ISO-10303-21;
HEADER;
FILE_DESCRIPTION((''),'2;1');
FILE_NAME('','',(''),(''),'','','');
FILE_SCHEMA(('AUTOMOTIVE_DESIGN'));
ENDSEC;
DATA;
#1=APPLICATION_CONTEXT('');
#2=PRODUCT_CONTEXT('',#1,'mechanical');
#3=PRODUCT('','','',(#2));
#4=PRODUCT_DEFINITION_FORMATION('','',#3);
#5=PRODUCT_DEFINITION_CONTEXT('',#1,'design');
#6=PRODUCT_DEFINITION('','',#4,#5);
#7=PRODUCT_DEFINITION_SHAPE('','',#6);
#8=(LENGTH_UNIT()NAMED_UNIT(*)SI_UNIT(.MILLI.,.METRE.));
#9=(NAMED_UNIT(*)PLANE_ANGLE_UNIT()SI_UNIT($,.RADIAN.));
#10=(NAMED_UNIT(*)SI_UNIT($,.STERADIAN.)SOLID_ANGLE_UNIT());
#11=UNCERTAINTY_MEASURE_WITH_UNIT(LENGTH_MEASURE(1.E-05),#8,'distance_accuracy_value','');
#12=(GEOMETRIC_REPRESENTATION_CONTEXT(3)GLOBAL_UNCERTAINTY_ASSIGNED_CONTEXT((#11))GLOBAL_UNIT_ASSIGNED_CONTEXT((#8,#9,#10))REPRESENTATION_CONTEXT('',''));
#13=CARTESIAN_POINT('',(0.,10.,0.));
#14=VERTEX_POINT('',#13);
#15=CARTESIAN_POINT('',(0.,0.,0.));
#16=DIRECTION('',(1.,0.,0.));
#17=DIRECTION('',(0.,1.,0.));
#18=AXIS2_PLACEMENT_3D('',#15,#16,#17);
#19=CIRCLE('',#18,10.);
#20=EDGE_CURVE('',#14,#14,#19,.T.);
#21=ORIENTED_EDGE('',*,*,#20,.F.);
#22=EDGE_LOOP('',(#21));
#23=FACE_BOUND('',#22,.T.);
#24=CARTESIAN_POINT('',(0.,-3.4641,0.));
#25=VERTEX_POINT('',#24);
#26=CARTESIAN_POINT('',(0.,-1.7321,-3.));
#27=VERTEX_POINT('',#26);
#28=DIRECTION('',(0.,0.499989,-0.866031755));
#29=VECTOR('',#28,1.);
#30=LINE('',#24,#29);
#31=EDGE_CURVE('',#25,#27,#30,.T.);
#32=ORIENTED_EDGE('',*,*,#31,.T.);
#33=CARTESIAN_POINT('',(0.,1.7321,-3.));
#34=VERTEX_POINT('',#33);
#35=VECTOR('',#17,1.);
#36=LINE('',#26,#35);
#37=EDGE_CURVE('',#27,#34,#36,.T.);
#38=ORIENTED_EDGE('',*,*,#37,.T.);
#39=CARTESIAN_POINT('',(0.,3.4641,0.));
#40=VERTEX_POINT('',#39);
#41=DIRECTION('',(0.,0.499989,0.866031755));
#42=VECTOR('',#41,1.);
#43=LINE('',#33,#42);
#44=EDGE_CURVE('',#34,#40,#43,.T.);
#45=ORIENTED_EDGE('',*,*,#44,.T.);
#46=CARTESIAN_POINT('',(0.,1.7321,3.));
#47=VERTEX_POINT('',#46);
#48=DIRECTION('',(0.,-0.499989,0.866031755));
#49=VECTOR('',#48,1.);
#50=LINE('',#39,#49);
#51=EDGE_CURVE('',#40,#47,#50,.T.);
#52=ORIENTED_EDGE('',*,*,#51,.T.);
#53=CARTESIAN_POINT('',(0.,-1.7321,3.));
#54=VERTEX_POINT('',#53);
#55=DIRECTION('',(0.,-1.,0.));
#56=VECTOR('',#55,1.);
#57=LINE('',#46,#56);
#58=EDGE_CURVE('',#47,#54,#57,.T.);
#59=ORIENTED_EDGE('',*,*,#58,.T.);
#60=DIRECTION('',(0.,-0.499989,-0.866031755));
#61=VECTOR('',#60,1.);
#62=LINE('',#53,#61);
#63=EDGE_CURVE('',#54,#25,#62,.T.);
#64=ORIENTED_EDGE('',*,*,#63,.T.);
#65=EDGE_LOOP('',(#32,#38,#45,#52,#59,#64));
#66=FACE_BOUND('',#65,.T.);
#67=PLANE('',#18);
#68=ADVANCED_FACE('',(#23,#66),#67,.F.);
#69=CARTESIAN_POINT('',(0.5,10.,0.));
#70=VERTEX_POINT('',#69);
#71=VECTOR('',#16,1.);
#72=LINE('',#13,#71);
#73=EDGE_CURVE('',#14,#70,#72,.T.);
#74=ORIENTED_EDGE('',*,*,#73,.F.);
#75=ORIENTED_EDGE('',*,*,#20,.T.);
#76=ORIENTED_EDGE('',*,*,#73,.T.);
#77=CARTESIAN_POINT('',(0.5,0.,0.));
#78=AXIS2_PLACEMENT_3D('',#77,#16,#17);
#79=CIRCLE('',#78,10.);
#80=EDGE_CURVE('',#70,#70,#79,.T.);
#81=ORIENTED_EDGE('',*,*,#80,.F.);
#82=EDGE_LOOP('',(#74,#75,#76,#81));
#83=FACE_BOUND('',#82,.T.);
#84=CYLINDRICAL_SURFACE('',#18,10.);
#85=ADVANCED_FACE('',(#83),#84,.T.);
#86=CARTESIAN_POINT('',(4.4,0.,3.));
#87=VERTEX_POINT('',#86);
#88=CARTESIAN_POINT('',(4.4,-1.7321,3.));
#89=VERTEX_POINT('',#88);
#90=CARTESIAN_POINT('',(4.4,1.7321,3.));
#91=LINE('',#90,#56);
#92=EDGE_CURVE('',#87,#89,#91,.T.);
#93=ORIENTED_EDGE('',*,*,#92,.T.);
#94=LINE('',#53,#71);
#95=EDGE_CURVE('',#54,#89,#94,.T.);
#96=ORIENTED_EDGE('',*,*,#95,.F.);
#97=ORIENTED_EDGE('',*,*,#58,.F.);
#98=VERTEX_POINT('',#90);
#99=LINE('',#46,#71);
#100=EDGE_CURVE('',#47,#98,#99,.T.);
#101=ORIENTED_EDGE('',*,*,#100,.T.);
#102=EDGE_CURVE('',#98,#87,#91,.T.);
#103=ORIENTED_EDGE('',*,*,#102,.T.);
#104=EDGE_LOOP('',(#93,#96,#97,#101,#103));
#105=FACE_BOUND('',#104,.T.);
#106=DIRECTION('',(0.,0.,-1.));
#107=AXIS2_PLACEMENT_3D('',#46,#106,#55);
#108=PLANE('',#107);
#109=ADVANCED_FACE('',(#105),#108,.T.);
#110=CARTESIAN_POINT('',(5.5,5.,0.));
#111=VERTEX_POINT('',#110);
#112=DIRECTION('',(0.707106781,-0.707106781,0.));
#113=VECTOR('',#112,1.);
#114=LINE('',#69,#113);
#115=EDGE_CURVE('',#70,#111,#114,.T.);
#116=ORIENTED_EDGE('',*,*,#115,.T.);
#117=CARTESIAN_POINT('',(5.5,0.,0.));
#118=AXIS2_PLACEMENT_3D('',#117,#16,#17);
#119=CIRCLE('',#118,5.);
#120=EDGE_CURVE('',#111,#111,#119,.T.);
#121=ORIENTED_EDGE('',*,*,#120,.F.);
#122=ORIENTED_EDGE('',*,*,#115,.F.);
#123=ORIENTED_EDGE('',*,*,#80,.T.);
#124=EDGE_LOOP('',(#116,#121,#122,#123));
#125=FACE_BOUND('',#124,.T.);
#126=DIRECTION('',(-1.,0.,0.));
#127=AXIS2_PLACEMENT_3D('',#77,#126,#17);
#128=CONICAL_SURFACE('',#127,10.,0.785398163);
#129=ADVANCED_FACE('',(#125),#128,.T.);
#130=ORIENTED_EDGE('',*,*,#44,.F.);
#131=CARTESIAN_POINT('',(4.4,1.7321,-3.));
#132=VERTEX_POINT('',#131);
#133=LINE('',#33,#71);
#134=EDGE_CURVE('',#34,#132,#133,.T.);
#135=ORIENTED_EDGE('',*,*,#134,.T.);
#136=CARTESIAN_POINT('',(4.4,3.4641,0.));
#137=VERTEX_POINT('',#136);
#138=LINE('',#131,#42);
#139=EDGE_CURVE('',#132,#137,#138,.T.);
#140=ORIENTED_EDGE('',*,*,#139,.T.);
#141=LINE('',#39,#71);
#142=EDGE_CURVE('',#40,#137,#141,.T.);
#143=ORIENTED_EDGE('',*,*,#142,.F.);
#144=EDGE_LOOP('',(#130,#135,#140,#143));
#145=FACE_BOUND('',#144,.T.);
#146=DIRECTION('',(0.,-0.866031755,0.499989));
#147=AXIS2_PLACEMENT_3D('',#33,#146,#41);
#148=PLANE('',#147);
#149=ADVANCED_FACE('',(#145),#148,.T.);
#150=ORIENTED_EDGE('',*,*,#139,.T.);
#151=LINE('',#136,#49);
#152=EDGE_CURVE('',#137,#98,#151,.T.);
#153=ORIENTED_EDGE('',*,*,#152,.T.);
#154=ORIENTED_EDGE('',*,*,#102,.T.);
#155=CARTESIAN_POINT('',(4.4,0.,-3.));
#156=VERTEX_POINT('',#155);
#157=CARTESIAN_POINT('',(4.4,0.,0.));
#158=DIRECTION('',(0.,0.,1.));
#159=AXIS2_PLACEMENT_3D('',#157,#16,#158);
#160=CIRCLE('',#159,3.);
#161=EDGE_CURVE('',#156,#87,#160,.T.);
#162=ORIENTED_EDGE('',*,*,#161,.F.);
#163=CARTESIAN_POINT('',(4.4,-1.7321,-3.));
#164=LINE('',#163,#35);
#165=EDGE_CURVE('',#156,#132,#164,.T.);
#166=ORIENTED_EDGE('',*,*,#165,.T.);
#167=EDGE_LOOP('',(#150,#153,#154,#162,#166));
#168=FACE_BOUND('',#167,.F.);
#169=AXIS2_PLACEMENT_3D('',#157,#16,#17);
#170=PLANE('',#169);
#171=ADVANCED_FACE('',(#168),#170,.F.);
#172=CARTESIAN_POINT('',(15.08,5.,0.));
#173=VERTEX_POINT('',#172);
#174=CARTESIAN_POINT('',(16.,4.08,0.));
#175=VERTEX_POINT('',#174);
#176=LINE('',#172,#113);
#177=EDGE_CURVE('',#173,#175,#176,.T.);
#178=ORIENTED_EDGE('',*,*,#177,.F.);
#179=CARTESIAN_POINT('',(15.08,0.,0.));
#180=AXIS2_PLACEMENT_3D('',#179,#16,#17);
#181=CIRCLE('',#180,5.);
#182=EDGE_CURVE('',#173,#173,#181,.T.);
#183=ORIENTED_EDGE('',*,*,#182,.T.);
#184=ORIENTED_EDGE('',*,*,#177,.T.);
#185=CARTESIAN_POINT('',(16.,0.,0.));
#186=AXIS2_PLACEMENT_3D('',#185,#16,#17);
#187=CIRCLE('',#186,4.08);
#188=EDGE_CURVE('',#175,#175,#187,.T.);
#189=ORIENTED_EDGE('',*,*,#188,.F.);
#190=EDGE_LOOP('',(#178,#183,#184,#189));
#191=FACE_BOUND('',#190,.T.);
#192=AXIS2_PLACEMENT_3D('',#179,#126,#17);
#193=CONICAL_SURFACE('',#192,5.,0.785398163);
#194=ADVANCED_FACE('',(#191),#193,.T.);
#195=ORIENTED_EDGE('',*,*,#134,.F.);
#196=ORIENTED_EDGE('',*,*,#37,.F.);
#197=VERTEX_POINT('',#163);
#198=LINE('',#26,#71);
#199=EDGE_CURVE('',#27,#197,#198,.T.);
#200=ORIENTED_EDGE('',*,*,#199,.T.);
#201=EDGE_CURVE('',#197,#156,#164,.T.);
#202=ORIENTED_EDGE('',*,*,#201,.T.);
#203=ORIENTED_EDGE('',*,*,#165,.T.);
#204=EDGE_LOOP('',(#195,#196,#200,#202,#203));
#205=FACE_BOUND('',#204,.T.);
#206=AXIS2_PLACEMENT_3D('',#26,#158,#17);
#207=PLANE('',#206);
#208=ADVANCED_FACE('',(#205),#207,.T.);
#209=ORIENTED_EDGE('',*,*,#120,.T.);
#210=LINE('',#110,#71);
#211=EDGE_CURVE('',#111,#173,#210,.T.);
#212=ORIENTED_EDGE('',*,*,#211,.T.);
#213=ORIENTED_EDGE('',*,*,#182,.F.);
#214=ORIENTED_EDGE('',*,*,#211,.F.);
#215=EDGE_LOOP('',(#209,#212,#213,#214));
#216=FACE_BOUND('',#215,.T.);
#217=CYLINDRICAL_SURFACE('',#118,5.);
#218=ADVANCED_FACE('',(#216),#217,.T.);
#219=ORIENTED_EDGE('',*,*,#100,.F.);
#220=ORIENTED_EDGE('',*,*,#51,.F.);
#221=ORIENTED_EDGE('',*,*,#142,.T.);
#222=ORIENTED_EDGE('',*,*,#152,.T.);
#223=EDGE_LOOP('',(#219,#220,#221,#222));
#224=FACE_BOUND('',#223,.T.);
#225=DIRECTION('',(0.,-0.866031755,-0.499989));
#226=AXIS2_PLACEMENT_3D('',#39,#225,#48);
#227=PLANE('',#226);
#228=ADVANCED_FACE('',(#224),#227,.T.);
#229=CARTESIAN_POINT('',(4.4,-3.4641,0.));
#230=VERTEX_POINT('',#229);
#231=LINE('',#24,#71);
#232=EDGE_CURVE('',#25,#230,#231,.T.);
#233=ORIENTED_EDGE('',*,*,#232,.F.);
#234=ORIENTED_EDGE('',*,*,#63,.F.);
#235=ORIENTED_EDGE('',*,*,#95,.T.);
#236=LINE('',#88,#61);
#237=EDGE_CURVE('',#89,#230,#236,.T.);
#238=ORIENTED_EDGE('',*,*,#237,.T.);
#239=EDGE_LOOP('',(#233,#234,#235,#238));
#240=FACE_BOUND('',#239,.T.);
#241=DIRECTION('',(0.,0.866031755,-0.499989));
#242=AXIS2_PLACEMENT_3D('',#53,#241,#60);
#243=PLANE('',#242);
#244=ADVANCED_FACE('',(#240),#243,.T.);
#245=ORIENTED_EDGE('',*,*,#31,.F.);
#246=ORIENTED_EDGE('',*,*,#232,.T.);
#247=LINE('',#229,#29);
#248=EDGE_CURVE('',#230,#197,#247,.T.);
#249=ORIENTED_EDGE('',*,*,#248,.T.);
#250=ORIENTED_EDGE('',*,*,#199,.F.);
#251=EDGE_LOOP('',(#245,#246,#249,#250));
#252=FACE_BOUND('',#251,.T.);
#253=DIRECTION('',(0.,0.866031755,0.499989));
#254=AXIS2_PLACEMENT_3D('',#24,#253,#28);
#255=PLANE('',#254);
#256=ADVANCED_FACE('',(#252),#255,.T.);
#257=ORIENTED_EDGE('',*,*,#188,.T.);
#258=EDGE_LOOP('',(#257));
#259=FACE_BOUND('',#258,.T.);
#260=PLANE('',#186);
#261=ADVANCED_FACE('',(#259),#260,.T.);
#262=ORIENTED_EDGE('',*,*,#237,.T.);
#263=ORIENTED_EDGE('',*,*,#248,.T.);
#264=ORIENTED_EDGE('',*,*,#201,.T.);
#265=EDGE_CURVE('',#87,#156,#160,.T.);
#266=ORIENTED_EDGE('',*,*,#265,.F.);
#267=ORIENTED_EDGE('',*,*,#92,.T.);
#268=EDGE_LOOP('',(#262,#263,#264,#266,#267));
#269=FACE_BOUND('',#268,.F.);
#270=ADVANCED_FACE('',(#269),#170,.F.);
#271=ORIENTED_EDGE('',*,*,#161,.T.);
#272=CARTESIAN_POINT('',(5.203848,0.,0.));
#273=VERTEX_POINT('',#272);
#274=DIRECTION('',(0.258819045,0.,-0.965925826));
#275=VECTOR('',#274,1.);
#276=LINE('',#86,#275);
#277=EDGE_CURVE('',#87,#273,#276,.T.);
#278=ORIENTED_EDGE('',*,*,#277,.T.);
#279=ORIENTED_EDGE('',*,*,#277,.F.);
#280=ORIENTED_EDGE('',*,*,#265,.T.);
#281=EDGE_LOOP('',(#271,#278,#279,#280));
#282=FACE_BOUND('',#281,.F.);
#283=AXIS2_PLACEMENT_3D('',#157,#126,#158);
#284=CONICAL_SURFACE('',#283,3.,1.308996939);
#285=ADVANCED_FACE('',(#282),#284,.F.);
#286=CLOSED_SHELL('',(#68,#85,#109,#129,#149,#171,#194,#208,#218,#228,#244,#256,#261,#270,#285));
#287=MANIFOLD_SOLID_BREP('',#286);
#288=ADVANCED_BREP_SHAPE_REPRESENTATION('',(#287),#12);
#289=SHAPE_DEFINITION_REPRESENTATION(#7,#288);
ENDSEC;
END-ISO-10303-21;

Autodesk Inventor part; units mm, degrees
sketch "Sketch_1" plane through (0, 0, 0) normal (0, 0, 1) x (1, 0, 0)
  line L0 (16, 0) -> (0, 0)
  line L1 (0, 0) -> (0, 10)
  line L2 (0, 10) -> (0.5, 10)
  line L3 (0.5, 10) -> (5.5, 5)
  line L4 (5.5, 5) -> (15.08, 5)
  line L5 (15.08, 5) -> (16, 4.08)
  line L6 (16, 4.08) -> (16, 0)
  line L7 (16, 0) -> (0, 0)
revolve "Revolution1" add sketch "Sketch_1" angle 360 about axis through (16, 0, 0) along (1, 0, 0)
thread "Thread1" size "M10x1.5" class "6g" standard "ISO Metric profile" full length
sketch "Sketch2" plane through (0, 0, 0) normal (-1, 0, 0) x (0, 0, 1)
  point P0 (0, 0)
hole "Hole1" at (0, 0, 0) direction (1, 0, 0) diameter 6 depth 4.4 tip angle 150
sketch "Sketch_3" plane through (0, 0, 0) normal (1, 0, 0) x (0, 1, 0)
  line L0 (-1.7321, 3) -> (-3.4641, 0)
  line L1 (-3.4641, 0) -> (-1.7321, -3)
  line L2 (-1.7321, -3) -> (1.7321, -3)
  line L3 (1.7321, -3) -> (3.4641, 0)
  line L4 (3.4641, 0) -> (1.7321, 3)
  line L5 (1.7321, 3) -> (-1.7321, 3)
extrude "Extrusion1" cut sketch "Sketch_3" along normal blind 4.4
ref_plane "screw_to_nut_XY" through (0, 0, 0) normal (1, 0, 0) x (0, 0, -1)
ref_plane "screw_to_nut_YZ" through (0, 0, 0) normal (0, 0, -1) x (0, 1, 0)
ref_plane "screw_to_nut_ZX" through (0, 0, 0) normal (0, 1, 0) x (1, 0, 0)
properties part number "FB10-16_"
